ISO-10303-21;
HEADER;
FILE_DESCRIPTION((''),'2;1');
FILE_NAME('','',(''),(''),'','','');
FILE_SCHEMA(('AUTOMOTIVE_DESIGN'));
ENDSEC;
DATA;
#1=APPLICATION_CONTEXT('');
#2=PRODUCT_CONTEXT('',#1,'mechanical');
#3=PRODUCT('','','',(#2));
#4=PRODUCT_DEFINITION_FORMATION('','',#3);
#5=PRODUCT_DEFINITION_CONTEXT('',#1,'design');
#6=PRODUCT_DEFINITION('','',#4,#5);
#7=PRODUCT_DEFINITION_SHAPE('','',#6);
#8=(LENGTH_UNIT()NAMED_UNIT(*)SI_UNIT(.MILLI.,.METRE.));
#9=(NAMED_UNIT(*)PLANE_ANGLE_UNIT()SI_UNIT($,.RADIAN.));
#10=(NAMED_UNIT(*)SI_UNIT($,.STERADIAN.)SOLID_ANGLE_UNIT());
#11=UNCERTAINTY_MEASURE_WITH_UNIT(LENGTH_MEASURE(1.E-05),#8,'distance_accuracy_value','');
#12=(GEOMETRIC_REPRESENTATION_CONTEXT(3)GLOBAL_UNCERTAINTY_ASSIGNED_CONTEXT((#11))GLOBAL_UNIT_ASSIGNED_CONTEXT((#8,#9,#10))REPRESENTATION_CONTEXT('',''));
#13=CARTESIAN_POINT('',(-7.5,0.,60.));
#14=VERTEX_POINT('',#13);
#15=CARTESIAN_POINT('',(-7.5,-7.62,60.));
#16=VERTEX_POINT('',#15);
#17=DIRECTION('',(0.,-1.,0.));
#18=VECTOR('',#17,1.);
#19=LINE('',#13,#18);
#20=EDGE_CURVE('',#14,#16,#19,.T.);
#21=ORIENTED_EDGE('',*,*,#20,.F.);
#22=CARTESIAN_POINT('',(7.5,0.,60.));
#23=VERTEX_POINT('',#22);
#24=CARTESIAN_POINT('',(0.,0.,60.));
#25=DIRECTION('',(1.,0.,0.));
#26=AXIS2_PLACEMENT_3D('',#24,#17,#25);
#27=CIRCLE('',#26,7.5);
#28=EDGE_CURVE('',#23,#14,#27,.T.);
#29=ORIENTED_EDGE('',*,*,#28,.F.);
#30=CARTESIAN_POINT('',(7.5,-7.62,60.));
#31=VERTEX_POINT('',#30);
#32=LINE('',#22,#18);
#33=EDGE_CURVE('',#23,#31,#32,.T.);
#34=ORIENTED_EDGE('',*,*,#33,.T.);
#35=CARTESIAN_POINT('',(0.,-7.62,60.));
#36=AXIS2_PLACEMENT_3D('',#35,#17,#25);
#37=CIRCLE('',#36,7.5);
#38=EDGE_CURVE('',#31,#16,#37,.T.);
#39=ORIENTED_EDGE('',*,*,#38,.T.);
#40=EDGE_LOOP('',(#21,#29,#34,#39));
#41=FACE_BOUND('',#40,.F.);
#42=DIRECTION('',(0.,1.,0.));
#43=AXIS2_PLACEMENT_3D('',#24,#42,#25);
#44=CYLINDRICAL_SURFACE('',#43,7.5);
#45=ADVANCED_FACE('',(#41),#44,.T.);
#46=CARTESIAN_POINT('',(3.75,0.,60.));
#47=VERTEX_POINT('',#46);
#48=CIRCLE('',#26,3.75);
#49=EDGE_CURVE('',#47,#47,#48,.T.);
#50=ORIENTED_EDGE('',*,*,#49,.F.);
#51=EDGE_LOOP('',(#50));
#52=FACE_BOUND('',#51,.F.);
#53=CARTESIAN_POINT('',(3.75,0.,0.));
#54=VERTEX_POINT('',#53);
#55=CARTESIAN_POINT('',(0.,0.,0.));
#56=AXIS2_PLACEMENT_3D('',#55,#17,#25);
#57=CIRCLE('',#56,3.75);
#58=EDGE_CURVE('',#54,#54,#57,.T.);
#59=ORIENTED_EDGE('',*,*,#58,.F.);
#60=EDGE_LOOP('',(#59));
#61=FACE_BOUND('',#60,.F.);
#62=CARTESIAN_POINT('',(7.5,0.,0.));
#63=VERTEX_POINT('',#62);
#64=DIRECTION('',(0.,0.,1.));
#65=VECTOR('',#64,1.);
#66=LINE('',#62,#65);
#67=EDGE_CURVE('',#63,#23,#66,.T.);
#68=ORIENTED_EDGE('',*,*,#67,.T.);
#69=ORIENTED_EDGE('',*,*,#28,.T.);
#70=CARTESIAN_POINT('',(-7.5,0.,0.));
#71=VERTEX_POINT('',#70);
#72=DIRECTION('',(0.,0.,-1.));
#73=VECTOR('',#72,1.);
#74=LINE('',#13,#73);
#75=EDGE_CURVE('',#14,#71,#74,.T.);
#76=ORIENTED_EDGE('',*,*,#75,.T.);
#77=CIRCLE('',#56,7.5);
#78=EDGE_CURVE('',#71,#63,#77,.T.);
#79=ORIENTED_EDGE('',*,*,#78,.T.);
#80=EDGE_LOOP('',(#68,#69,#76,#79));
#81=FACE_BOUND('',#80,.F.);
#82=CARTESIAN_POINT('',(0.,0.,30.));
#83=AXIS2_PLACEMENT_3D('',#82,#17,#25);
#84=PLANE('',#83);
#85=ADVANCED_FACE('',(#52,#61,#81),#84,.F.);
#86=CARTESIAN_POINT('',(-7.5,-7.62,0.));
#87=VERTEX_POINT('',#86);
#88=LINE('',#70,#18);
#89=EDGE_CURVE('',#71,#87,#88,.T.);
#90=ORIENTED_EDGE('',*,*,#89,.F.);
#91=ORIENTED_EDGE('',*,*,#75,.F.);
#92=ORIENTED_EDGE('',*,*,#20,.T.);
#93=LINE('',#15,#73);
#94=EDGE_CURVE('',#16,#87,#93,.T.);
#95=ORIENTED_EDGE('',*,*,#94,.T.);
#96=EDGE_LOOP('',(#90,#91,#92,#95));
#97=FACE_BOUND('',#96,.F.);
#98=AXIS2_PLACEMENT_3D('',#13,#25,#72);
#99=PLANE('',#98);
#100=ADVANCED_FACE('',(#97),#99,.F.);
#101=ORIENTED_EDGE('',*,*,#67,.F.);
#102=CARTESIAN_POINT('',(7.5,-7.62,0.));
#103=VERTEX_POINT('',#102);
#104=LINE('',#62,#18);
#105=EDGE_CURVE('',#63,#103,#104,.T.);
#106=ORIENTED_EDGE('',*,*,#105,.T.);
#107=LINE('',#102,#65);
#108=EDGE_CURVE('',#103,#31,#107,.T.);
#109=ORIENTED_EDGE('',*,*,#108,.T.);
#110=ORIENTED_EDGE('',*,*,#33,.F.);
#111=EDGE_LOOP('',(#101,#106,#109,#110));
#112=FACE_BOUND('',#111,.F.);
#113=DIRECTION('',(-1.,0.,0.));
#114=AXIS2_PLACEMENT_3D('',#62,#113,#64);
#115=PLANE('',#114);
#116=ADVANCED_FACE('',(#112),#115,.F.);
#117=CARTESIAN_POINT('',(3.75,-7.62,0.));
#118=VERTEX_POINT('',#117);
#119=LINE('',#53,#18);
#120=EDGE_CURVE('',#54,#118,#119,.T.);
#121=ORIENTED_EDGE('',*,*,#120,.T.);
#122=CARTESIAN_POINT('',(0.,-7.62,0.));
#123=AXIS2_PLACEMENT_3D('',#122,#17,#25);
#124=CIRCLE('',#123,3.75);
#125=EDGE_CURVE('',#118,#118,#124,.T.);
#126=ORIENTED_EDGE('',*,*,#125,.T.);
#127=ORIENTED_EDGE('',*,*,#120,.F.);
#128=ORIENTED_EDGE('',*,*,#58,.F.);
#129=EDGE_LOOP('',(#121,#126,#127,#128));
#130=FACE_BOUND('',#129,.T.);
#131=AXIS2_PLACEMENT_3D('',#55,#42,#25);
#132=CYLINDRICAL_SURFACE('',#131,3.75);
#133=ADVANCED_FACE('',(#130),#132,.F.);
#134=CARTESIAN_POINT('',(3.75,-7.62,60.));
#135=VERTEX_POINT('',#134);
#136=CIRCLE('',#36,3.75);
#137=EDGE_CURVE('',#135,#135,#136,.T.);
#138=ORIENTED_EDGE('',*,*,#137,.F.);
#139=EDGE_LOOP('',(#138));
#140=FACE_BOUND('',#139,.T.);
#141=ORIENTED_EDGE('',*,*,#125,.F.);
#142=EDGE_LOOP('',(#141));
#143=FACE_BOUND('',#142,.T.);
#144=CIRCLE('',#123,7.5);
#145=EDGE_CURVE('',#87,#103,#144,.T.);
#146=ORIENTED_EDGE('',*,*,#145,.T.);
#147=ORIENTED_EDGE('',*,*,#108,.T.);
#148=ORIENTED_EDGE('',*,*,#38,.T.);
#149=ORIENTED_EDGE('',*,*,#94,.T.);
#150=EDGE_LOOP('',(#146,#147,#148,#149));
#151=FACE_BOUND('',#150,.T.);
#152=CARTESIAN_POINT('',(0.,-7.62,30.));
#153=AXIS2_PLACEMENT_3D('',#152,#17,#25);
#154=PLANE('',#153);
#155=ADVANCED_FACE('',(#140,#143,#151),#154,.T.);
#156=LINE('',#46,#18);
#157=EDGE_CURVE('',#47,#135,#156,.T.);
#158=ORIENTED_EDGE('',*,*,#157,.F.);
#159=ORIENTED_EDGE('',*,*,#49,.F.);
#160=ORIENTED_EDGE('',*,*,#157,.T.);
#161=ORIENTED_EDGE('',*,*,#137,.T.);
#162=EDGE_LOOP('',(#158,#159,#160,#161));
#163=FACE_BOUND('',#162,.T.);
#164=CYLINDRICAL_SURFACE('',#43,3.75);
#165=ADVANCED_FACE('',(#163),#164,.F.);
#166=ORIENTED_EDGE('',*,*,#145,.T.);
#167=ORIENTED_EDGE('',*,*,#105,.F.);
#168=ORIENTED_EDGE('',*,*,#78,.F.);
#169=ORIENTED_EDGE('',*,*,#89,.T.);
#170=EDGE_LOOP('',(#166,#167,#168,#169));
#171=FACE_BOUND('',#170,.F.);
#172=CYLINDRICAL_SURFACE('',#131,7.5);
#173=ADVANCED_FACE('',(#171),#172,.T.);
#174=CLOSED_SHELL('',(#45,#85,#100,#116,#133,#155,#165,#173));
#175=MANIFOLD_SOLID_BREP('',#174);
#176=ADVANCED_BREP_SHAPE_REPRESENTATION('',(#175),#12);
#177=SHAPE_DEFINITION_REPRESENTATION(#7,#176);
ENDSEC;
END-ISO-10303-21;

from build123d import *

# Parameters (mm, degrees)
F0_R     = 3.75
F1_DEPTH = 7.62


with BuildPart() as f1:
    # F0 (on Front) → F1 (new body)
    with BuildSketch(Plane.XZ):
        with BuildLine():
            Line((7.5, 0), (7.5, 60))
            ThreePointArc((7.5, 60), (0, 52.5), (-7.5, 60))
            Line((-7.5, 60), (-7.5, 0))
            ThreePointArc((-7.5, 0), (0, 7.5), (7.5, 0))
        make_face()
        with BuildLine():
            ThreePointArc((-7.5, 60), (0, 52.5), (7.5, 60))
            ThreePointArc((7.5, 60), (0, 67.5), (-7.5, 60))
        make_face()
        with Locations((0, 60)):
            Circle(F0_R, mode=Mode.SUBTRACT)
        with BuildLine():
            ThreePointArc((-7.5, 0), (0, -7.5), (7.5, 0))
            ThreePointArc((7.5, 0), (0, 7.5), (-7.5, 0))
        make_face()
        Circle(F0_R, mode=Mode.SUBTRACT)
    extrude(amount=F1_DEPTH)


solid = f1.part
